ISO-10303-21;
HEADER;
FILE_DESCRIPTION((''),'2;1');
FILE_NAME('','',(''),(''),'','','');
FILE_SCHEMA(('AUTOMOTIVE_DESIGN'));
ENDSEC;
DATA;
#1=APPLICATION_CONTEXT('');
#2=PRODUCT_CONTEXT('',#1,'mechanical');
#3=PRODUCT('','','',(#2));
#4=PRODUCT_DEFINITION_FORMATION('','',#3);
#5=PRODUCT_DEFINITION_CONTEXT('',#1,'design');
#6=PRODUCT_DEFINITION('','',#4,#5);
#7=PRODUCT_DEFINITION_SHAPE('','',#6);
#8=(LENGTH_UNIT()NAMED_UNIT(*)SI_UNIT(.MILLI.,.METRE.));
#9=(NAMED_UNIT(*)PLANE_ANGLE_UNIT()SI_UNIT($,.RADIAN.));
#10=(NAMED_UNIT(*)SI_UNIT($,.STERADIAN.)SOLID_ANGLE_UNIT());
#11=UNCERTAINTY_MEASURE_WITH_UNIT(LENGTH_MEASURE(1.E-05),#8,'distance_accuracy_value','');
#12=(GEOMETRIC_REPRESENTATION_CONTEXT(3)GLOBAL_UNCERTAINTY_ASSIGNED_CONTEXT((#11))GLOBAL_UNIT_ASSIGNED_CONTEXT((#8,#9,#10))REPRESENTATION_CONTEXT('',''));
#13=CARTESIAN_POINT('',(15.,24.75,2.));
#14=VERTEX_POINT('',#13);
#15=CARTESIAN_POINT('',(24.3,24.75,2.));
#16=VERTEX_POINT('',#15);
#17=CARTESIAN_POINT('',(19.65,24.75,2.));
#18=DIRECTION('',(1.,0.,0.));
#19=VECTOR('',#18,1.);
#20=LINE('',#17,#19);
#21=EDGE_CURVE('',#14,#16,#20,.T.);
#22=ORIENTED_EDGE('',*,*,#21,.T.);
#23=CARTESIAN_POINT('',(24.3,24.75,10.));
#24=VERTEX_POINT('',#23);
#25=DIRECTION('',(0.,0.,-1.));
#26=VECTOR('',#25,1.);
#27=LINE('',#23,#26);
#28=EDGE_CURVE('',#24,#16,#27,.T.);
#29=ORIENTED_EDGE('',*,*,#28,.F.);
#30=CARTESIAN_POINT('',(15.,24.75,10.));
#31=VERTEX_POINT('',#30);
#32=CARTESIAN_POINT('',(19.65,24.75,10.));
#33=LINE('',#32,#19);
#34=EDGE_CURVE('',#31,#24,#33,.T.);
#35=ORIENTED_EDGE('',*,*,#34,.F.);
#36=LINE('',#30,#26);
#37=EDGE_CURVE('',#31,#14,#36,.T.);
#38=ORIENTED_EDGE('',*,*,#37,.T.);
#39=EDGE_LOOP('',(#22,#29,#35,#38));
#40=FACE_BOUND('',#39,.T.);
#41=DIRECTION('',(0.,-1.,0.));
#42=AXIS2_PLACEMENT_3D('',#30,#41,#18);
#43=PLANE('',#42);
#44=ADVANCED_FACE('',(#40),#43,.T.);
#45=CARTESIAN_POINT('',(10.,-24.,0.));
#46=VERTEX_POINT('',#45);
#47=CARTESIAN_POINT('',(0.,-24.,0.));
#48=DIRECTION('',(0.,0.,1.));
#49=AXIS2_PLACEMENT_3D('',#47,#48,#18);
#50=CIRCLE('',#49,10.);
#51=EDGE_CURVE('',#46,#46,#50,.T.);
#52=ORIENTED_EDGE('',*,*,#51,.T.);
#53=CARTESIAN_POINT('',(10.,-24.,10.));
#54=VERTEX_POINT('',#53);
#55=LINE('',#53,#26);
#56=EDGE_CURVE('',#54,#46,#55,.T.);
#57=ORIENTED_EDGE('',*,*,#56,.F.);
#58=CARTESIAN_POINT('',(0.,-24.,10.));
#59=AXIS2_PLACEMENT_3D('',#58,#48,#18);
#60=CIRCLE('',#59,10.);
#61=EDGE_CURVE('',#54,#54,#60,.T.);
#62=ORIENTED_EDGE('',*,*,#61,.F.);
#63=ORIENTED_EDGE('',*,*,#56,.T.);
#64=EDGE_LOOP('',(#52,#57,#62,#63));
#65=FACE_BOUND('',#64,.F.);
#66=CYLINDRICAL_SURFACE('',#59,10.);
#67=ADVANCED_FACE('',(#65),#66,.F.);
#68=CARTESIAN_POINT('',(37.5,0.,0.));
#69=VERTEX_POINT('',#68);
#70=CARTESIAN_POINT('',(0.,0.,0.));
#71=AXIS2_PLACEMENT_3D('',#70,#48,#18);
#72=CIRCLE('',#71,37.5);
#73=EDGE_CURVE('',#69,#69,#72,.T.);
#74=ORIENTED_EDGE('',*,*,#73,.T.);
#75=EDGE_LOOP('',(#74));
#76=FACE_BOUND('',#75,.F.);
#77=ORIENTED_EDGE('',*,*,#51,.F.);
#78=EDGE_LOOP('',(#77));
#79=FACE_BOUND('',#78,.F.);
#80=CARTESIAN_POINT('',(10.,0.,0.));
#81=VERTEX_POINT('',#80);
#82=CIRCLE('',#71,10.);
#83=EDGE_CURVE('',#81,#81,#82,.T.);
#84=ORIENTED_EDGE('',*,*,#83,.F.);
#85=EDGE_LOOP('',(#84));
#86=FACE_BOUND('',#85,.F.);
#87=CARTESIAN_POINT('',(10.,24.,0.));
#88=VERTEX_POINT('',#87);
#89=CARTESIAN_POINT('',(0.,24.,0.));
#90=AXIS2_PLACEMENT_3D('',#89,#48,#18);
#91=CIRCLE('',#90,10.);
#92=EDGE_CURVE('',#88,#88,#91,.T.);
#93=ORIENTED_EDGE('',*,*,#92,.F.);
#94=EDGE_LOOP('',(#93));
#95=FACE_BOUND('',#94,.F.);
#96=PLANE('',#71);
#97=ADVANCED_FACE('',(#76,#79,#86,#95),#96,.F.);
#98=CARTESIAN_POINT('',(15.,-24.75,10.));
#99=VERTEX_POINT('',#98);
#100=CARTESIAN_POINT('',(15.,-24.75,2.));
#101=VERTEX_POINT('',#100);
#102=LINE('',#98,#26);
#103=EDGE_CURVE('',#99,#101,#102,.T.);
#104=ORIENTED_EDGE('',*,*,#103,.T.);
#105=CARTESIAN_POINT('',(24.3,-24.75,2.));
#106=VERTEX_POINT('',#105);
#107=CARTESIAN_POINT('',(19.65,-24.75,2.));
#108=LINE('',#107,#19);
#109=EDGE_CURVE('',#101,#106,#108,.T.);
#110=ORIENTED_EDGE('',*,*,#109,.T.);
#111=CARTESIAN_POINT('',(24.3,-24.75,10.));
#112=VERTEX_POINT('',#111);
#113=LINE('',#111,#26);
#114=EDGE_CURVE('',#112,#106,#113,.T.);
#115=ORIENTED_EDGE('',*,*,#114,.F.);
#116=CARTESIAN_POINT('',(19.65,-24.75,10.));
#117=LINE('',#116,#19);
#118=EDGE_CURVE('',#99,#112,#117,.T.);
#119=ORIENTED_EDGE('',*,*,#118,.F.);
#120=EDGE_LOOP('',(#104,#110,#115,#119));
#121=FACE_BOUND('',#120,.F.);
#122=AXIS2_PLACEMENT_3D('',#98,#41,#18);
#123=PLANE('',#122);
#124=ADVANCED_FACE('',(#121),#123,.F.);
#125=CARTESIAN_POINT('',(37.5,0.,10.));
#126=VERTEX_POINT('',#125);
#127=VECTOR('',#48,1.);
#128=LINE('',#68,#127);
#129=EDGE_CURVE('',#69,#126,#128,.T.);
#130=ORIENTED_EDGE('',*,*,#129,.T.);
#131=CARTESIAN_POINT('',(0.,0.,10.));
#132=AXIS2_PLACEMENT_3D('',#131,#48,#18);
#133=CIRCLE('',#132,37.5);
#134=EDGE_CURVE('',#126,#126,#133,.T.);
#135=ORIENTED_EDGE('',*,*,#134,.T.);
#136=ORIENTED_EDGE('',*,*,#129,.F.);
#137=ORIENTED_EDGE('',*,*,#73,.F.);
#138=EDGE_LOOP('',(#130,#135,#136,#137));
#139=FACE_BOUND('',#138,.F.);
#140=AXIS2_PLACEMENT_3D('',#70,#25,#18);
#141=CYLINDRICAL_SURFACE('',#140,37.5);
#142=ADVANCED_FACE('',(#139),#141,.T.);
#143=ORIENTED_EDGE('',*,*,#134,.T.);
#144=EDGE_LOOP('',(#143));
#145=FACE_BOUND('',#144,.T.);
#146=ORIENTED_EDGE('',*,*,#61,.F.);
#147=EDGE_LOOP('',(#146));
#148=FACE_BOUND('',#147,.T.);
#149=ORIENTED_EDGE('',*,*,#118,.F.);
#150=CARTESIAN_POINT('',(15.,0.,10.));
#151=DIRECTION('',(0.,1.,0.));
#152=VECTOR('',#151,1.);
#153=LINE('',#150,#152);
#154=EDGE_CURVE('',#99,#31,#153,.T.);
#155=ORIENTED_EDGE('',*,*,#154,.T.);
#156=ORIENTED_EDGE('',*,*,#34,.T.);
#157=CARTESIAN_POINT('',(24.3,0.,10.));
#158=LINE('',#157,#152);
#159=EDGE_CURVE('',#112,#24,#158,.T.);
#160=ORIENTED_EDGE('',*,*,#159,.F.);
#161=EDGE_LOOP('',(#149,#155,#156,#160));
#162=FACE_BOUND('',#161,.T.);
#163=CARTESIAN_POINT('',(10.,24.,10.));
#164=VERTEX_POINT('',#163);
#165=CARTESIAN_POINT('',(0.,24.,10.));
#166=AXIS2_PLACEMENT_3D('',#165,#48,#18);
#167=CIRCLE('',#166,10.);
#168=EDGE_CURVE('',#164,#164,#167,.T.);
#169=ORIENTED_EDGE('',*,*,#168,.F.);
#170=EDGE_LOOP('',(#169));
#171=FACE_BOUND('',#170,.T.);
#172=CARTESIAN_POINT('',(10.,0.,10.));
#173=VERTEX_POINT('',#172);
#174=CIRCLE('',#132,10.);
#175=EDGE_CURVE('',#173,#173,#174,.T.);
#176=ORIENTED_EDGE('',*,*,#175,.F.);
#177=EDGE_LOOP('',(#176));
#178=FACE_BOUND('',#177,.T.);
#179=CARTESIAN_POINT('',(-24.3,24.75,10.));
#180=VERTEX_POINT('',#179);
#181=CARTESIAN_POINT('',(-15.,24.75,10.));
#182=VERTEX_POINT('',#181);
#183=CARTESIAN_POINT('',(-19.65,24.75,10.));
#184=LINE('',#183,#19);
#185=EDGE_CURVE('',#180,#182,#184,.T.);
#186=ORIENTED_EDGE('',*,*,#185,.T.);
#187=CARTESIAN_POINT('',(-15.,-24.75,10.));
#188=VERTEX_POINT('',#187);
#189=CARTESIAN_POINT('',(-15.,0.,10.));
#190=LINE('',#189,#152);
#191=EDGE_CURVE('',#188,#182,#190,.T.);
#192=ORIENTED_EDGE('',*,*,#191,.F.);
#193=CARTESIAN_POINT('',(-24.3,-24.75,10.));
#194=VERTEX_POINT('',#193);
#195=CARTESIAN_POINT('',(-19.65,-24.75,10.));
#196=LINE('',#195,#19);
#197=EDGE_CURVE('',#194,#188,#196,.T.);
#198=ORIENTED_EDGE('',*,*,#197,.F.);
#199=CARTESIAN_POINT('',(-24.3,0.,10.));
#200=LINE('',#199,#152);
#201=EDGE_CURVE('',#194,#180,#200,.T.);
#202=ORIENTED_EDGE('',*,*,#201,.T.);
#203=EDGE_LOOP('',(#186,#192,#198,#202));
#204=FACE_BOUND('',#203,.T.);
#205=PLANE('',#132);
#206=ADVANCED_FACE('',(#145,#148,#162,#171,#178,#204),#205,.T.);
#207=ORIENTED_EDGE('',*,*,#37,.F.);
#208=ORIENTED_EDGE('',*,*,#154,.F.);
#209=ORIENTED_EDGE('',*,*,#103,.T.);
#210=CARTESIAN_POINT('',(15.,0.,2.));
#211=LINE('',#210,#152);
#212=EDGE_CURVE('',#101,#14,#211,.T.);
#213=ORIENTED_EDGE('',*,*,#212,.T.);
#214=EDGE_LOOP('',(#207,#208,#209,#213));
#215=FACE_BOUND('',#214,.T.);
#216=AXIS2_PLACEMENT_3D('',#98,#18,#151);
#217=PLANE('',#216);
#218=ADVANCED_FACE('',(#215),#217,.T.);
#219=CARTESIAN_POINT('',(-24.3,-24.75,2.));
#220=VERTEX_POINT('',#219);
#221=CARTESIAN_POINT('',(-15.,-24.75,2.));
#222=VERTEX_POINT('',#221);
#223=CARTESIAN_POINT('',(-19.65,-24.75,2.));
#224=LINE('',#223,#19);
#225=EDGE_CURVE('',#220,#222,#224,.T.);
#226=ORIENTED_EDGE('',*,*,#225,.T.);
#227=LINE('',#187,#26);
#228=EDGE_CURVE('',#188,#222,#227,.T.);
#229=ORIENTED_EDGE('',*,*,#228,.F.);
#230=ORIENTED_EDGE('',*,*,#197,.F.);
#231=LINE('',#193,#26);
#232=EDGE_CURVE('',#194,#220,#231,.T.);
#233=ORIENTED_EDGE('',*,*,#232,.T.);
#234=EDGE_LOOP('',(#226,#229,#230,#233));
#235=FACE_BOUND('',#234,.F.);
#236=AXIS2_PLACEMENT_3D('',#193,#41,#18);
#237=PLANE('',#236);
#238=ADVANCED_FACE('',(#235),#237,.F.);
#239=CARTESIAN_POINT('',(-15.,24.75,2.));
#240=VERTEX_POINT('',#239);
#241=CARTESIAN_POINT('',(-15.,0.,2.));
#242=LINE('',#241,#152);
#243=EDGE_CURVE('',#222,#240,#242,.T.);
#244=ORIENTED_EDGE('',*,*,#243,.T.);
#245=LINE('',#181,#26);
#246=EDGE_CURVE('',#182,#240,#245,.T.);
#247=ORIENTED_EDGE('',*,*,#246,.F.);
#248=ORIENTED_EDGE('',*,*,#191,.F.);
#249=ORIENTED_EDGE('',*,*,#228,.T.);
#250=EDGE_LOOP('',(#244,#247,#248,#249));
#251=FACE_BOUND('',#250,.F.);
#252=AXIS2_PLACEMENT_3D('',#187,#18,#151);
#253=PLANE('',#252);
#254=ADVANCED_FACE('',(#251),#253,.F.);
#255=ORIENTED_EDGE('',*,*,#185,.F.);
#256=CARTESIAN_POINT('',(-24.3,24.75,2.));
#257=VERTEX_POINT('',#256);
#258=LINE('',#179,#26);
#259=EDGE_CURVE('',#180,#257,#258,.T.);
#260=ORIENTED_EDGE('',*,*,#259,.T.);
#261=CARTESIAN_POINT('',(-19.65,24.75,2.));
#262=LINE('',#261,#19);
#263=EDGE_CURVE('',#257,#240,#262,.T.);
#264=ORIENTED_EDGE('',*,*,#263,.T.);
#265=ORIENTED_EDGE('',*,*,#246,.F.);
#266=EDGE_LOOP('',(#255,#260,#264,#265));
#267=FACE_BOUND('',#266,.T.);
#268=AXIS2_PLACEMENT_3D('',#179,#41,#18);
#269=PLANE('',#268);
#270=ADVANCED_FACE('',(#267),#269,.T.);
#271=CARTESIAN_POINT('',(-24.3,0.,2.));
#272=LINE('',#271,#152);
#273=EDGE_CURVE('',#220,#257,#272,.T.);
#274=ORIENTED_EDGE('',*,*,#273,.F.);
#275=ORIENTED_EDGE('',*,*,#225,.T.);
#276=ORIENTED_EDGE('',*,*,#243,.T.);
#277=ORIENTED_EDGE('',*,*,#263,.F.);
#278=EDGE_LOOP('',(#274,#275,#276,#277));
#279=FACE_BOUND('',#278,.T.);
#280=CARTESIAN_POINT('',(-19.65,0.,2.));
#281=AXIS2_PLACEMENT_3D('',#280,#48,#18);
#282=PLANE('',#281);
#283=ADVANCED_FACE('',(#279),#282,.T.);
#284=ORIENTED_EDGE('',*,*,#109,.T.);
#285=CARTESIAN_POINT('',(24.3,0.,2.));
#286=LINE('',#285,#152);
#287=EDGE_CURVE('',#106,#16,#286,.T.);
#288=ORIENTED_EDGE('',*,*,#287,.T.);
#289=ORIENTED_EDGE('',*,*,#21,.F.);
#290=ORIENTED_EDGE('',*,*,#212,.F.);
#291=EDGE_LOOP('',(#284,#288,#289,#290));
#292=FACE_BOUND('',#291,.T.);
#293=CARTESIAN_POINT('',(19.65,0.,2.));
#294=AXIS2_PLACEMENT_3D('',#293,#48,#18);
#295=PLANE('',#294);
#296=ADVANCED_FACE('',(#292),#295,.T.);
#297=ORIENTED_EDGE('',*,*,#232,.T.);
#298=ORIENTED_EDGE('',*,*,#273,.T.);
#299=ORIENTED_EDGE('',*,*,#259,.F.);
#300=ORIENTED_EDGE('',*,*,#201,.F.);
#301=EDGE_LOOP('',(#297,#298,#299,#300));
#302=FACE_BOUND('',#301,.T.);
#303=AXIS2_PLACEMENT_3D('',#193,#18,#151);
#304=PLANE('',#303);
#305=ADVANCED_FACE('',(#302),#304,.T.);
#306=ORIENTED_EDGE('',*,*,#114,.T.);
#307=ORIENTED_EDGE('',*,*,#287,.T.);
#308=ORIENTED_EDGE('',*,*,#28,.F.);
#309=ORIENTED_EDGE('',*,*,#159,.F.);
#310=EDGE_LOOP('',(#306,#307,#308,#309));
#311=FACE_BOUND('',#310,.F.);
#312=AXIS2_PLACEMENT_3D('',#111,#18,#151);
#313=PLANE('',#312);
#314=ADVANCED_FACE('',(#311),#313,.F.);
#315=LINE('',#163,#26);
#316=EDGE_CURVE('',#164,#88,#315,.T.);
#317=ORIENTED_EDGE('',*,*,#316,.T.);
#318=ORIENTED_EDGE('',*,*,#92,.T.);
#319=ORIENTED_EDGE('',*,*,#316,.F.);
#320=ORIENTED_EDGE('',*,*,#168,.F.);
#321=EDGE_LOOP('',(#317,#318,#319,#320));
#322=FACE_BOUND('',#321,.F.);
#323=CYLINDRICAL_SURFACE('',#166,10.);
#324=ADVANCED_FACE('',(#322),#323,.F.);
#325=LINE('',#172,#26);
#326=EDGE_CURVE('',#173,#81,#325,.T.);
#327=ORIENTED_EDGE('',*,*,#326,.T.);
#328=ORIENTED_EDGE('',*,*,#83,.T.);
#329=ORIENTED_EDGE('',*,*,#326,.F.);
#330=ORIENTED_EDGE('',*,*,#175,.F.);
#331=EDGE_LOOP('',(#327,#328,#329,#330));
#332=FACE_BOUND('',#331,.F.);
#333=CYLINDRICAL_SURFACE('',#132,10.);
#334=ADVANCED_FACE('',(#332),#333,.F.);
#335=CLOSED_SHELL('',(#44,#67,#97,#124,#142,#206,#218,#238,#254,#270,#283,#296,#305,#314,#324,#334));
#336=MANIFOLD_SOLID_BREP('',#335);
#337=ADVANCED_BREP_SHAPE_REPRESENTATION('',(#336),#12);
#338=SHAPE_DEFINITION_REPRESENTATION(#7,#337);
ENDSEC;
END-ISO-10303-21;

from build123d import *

# Parameters (mm, degrees)
F0_R     = 37.5
F1_DEPTH = 10
F2_W     = 9.3
F2_H     = 49.5
F3_DEPTH = 8
F2_R     = 10
F4_DEPTH = 10.001


with BuildPart() as f1:
    # F0 (on Top) → F1 (new body)
    with BuildSketch(Plane.XY):
        Circle(F0_R)
    extrude(amount=F1_DEPTH)

    # F2 (on face) → F3 (cut)
    with BuildSketch(Plane.XY.offset(10)):
        with Locations((-19.65, 0)):
            Rectangle(F2_W, F2_H)
        with Locations((19.65, 0)):
            Rectangle(F2_W, F2_H)
    extrude(amount=-F3_DEPTH, mode=Mode.SUBTRACT)

    # F2 (on face) → F4 (cut, through all)
    with BuildSketch(Plane.XY.offset(10)):
        with Locations((0, 24)):
            Circle(F2_R)
        Circle(F2_R)
        with Locations((0, -24)):
            Circle(F2_R)
    extrude(amount=-F4_DEPTH, mode=Mode.SUBTRACT)


solid = f1.part
